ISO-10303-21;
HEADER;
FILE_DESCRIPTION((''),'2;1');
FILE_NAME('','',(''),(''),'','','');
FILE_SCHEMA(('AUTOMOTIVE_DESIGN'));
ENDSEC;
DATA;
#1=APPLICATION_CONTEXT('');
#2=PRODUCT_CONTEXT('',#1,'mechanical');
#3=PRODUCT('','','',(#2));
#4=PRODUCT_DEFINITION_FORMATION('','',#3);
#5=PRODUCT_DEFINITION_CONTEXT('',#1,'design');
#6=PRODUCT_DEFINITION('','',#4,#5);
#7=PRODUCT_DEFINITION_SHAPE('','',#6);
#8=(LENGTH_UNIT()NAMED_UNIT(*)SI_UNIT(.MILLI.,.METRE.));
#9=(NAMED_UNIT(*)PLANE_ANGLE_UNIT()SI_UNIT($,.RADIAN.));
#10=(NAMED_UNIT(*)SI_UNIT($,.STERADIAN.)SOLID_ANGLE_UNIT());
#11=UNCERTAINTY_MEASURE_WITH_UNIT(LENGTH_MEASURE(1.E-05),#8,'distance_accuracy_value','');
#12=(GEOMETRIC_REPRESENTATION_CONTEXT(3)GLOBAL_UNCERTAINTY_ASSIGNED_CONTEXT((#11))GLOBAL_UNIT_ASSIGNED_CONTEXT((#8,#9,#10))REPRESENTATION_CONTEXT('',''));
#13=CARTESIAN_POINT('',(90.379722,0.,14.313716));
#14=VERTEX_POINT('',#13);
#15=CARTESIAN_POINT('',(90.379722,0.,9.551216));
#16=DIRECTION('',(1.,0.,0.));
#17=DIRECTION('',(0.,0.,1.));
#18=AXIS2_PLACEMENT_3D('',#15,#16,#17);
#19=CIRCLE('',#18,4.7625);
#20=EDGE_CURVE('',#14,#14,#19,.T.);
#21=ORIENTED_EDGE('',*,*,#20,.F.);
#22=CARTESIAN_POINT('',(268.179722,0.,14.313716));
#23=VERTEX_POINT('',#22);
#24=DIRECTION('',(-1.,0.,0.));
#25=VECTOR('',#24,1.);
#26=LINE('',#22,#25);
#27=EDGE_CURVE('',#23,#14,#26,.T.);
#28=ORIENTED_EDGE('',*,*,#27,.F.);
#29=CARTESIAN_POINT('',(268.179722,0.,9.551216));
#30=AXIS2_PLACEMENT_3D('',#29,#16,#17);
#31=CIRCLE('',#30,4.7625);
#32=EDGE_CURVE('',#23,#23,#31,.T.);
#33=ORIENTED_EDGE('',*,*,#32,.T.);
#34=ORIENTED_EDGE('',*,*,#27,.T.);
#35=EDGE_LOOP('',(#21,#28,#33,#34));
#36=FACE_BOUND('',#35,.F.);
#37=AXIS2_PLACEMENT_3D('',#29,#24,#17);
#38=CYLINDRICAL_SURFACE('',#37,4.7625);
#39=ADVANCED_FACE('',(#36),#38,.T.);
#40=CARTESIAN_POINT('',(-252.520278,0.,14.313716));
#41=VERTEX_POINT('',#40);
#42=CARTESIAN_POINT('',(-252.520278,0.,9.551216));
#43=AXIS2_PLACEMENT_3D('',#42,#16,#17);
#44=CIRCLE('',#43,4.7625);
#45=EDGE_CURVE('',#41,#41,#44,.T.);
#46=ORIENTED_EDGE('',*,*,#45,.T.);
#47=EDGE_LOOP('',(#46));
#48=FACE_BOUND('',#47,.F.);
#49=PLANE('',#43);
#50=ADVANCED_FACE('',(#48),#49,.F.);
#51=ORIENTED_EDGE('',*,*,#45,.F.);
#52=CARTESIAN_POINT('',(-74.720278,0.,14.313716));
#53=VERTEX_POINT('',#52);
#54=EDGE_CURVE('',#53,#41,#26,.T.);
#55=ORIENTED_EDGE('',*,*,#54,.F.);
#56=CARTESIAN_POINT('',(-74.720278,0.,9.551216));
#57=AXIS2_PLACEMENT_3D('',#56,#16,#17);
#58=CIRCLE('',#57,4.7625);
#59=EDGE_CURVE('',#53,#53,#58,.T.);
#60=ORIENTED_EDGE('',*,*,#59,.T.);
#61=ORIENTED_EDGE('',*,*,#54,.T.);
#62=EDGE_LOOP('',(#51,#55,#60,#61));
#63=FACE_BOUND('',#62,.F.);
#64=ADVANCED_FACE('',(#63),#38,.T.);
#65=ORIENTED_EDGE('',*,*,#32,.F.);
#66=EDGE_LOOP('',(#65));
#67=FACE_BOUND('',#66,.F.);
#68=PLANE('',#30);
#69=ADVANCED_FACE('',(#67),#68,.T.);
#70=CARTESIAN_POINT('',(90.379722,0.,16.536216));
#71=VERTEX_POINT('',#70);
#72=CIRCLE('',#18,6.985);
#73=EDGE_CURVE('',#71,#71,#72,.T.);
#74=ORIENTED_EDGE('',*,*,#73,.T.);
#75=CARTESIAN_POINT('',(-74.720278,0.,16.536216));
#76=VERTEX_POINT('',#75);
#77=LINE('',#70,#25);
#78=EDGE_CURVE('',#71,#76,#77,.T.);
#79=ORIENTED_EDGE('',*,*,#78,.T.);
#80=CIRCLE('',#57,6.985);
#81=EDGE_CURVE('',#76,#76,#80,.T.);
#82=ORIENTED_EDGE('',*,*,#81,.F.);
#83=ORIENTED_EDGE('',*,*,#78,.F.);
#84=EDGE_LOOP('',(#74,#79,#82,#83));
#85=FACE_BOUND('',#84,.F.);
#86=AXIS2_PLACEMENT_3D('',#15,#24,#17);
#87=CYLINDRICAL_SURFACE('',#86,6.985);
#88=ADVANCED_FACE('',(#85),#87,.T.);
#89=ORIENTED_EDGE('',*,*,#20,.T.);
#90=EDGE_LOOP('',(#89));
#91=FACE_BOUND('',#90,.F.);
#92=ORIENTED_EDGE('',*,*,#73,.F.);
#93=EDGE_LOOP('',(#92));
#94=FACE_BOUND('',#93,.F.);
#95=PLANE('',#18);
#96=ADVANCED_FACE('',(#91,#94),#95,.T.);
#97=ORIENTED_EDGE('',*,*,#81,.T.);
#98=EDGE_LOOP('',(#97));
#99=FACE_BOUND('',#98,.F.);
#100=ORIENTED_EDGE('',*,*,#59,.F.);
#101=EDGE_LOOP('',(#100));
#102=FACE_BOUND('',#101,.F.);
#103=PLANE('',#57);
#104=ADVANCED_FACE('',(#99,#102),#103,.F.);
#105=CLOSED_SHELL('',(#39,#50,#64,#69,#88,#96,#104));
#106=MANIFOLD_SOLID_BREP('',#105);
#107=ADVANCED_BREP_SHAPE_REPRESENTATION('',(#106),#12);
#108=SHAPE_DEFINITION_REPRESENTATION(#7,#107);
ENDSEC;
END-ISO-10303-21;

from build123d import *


with BuildPart() as f1:
    # F0 (on Front) → F1 (revolve)
    with BuildSketch(Plane.XZ):
        Polygon((-74.720278, 14.313716), (-252.520278, 14.313716), (-252.520278, 9.551216), (268.179722, 9.551216), (268.179722, 14.313716), (90.379722, 14.313716), align=None)
        Polygon((-74.720278, 16.536216), (-74.720278, 14.313716), (90.379722, 14.313716), (90.379722, 16.536216), (7.829722, 16.536216), align=None)
    revolve(axis=Axis((7.829722, 0, 9.551216), (1, 0, 0)))


solid = f1.part
